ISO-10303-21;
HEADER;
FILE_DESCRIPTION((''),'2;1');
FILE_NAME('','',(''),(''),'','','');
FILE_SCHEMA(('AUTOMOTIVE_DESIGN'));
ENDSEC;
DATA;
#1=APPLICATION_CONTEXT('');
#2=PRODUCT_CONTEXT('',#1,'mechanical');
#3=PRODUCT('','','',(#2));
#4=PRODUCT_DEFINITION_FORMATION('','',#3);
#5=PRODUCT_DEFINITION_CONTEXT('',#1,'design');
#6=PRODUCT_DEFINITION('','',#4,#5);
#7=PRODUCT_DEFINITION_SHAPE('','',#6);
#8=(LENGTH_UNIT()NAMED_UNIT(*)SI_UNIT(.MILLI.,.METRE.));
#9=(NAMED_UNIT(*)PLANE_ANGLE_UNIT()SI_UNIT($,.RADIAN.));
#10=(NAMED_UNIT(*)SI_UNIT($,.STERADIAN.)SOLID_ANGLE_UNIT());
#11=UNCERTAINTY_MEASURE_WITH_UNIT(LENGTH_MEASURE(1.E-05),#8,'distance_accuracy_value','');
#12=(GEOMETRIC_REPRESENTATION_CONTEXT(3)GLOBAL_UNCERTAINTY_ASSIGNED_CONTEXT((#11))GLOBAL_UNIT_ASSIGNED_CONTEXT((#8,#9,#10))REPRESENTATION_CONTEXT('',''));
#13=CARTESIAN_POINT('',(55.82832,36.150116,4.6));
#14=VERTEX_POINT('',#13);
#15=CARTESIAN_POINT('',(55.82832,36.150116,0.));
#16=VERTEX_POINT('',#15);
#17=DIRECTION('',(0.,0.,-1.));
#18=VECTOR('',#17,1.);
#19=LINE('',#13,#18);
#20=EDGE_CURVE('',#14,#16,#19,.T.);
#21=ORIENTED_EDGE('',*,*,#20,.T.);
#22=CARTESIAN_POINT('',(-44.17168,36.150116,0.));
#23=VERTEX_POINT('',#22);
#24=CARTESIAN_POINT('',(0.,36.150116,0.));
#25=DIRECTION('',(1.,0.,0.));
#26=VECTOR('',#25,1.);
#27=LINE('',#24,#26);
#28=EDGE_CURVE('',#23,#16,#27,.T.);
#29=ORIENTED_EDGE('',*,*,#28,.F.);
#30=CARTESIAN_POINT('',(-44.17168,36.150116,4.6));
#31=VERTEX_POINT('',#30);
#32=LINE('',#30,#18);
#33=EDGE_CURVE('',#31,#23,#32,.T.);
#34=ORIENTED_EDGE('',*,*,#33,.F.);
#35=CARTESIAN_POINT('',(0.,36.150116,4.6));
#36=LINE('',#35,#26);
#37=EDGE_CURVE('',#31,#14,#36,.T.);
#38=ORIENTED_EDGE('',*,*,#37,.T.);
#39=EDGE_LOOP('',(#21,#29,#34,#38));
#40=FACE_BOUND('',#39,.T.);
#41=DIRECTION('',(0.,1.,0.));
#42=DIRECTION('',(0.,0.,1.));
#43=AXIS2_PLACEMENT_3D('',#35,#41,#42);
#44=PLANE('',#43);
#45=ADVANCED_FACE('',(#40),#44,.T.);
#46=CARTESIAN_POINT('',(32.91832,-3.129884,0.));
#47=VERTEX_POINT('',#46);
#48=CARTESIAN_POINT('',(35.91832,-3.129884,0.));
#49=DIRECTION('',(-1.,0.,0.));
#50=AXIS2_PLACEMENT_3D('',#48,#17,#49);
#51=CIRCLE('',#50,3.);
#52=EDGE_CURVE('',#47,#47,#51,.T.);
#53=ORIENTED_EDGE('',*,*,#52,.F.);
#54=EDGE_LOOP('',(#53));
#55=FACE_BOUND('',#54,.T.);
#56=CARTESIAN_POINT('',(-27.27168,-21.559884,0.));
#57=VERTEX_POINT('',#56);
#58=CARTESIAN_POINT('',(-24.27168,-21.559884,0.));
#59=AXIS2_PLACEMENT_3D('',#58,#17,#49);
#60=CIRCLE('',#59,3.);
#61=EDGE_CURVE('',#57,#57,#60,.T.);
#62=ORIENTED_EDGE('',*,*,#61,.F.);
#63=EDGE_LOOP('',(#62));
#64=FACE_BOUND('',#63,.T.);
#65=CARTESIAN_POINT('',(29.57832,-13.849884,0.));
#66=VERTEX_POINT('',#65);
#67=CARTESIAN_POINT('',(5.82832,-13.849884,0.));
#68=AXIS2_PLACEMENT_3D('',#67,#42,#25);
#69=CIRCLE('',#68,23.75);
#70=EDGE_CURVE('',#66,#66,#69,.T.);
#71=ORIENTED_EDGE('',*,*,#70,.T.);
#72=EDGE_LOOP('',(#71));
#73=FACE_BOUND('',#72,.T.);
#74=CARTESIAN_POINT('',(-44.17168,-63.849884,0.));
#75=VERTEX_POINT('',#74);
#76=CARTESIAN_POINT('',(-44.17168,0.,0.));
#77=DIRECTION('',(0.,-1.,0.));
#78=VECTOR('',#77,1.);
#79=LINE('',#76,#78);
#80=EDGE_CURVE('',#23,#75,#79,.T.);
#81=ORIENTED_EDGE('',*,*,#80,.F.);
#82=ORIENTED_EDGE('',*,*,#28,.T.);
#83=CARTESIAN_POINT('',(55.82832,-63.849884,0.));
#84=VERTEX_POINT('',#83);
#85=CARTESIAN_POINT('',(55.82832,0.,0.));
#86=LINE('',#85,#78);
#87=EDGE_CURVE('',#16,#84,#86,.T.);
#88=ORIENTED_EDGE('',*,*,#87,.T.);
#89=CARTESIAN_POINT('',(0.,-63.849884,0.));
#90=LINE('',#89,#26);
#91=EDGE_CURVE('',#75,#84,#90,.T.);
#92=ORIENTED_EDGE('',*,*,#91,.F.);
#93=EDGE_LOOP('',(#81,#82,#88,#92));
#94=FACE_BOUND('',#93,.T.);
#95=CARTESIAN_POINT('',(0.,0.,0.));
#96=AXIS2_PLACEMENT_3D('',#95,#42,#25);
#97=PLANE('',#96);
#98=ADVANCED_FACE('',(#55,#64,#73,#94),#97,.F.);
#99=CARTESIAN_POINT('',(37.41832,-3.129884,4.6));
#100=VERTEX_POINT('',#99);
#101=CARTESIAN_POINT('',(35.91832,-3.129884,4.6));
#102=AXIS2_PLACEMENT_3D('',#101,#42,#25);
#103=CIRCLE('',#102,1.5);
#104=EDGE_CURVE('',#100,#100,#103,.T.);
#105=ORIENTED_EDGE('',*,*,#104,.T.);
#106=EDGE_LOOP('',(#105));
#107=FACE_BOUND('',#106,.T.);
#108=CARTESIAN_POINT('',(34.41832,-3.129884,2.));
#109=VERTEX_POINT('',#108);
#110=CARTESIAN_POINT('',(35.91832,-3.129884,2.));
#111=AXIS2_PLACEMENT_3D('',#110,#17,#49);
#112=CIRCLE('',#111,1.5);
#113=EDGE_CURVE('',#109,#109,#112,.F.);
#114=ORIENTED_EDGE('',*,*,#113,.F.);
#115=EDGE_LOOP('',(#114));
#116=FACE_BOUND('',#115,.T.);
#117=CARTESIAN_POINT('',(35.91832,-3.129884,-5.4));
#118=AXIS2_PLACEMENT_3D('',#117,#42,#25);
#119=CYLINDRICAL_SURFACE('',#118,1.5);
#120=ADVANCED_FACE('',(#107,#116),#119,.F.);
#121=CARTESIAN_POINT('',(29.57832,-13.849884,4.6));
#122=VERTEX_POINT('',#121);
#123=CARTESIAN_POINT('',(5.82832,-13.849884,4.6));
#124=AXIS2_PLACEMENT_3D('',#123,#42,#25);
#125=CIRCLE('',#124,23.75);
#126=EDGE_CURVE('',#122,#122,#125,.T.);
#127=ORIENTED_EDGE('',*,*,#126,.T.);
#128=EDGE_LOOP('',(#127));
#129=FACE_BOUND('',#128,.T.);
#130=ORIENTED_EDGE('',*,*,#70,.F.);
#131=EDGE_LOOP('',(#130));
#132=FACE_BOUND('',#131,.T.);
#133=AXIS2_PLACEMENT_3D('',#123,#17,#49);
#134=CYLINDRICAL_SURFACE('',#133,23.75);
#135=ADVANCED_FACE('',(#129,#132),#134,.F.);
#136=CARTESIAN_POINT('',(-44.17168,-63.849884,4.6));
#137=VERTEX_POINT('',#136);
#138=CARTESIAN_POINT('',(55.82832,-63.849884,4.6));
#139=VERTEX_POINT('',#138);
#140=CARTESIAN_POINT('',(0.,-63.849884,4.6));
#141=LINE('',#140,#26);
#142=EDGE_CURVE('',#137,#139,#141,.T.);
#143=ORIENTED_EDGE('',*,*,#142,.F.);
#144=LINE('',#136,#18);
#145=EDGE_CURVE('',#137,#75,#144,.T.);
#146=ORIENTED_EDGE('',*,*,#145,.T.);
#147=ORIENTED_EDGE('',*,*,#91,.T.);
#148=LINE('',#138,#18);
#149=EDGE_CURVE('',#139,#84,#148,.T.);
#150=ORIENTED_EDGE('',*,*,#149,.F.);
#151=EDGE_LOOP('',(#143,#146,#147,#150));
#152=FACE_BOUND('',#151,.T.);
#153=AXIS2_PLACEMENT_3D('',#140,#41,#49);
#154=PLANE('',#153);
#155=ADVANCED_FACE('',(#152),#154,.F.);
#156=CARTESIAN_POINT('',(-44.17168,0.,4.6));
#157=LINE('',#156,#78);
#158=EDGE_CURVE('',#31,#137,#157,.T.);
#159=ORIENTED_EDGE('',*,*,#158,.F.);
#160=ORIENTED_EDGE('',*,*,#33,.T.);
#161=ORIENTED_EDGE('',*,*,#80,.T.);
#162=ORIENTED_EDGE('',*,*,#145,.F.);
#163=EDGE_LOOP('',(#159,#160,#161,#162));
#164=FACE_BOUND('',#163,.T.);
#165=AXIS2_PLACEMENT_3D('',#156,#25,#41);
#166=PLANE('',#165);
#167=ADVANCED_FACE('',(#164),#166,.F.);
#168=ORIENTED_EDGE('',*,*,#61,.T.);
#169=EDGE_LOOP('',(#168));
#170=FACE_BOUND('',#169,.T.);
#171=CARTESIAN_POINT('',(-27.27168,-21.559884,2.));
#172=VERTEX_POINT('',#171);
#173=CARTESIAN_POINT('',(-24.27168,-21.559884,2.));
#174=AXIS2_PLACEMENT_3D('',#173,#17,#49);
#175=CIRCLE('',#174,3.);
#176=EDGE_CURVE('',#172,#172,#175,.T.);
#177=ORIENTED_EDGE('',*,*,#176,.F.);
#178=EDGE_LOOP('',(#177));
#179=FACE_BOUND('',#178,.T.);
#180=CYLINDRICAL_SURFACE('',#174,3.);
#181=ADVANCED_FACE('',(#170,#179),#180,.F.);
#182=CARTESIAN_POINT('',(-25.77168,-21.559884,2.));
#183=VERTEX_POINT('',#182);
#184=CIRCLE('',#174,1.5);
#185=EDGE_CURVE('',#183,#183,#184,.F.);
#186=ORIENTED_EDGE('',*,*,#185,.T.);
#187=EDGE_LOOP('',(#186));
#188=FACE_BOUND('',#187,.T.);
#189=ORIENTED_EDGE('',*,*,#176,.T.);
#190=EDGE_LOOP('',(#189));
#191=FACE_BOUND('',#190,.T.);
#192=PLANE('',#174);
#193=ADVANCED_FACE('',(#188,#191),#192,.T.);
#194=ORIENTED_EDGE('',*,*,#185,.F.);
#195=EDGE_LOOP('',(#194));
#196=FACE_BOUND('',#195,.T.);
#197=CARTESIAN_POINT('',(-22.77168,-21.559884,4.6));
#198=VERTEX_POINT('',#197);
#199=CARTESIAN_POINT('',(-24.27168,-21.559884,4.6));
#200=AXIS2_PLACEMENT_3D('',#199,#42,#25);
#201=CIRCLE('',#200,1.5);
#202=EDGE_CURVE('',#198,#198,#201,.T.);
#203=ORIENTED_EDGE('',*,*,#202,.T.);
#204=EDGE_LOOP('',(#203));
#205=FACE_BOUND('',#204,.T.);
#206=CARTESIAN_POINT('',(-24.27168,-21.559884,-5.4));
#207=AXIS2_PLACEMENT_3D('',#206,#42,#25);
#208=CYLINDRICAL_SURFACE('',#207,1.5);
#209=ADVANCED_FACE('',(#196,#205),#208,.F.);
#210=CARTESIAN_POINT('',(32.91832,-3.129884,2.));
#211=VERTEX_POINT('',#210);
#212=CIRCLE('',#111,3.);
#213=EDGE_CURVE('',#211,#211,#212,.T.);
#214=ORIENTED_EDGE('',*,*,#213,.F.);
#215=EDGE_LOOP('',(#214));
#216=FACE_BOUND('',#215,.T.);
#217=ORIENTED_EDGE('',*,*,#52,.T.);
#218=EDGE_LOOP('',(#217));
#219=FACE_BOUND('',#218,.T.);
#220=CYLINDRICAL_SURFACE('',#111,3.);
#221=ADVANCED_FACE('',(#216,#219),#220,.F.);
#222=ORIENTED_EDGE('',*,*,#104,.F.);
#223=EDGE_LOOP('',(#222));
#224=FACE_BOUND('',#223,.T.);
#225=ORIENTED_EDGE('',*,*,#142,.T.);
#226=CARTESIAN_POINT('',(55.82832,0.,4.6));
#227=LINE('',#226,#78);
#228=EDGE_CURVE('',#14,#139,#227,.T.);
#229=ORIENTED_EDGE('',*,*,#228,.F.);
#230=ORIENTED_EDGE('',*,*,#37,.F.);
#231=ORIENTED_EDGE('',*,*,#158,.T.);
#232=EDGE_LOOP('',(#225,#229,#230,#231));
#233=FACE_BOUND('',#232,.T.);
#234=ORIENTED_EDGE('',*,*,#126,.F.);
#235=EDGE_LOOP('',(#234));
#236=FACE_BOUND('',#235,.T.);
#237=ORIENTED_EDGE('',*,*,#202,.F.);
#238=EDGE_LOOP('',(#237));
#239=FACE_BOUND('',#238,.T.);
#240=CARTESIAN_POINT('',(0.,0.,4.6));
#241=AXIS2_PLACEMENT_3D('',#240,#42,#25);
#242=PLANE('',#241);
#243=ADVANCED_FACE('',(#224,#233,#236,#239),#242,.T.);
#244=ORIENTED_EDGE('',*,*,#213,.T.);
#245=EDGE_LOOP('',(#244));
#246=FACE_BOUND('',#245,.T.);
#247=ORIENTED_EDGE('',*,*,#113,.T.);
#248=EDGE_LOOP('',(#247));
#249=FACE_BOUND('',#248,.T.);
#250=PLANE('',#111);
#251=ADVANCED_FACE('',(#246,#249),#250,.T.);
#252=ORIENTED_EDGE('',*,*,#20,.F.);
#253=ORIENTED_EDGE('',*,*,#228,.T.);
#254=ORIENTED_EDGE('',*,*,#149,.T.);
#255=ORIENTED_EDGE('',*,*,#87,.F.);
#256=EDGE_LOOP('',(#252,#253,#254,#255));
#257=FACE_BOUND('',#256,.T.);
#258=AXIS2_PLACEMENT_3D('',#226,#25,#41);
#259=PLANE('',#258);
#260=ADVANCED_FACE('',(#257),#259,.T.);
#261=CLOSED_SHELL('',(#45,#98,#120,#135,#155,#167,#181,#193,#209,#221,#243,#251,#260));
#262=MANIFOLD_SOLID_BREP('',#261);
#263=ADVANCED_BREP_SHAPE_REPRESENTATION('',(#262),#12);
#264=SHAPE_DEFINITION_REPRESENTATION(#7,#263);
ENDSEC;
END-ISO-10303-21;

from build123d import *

# Parameters (mm, degrees)
ESQUISSE1_W             = 100
ESQUISSE1_H             = 100
ESQUISSE1_R             = 23.75
BOSS_EXTRU_1_DEPTH      = 4.6
ESQUISSE2_R             = 1.5
ENL_V_MAT_EXTRU_1_DEPTH = 10
ESQUISSE3_R             = 3
ENL_V_MAT_EXTRU_2_DEPTH = 2


with BuildPart() as part:
    # Esquisse1 → Boss.-Extru.1 (new body)
    with BuildSketch(Plane.XY):
        with Locations((5.828319543, -13.849884125)):
            Rectangle(ESQUISSE1_W, ESQUISSE1_H)
        with Locations((5.828319543, -13.849884125)):
            Circle(ESQUISSE1_R, mode=Mode.SUBTRACT)
    extrude(amount=BOSS_EXTRU_1_DEPTH)

    # Esquisse2 → Enlèv. mat.-Extru.1 (cut)
    with BuildSketch(Plane.XY.offset(4.6)):
        with Locations((-24.271680457, -21.559884125)):
            Circle(ESQUISSE2_R)
        with Locations((35.918319543, -3.129884125)):
            Circle(ESQUISSE2_R)
    extrude(amount=-ENL_V_MAT_EXTRU_1_DEPTH, mode=Mode.SUBTRACT)

    # Esquisse3 → Enlèv. mat.-Extru.2 (cut)
    with BuildSketch(Plane(origin=(0, 0, 0), x_dir=(-1, 0, 0), z_dir=(0, 0, -1))):
        with Locations((-35.918319543, -3.129884125)):
            Circle(ESQUISSE3_R)
        with Locations((24.271680457, -21.559884125)):
            Circle(ESQUISSE3_R)
    extrude(amount=-ENL_V_MAT_EXTRU_2_DEPTH, mode=Mode.SUBTRACT)


solid = part.part
